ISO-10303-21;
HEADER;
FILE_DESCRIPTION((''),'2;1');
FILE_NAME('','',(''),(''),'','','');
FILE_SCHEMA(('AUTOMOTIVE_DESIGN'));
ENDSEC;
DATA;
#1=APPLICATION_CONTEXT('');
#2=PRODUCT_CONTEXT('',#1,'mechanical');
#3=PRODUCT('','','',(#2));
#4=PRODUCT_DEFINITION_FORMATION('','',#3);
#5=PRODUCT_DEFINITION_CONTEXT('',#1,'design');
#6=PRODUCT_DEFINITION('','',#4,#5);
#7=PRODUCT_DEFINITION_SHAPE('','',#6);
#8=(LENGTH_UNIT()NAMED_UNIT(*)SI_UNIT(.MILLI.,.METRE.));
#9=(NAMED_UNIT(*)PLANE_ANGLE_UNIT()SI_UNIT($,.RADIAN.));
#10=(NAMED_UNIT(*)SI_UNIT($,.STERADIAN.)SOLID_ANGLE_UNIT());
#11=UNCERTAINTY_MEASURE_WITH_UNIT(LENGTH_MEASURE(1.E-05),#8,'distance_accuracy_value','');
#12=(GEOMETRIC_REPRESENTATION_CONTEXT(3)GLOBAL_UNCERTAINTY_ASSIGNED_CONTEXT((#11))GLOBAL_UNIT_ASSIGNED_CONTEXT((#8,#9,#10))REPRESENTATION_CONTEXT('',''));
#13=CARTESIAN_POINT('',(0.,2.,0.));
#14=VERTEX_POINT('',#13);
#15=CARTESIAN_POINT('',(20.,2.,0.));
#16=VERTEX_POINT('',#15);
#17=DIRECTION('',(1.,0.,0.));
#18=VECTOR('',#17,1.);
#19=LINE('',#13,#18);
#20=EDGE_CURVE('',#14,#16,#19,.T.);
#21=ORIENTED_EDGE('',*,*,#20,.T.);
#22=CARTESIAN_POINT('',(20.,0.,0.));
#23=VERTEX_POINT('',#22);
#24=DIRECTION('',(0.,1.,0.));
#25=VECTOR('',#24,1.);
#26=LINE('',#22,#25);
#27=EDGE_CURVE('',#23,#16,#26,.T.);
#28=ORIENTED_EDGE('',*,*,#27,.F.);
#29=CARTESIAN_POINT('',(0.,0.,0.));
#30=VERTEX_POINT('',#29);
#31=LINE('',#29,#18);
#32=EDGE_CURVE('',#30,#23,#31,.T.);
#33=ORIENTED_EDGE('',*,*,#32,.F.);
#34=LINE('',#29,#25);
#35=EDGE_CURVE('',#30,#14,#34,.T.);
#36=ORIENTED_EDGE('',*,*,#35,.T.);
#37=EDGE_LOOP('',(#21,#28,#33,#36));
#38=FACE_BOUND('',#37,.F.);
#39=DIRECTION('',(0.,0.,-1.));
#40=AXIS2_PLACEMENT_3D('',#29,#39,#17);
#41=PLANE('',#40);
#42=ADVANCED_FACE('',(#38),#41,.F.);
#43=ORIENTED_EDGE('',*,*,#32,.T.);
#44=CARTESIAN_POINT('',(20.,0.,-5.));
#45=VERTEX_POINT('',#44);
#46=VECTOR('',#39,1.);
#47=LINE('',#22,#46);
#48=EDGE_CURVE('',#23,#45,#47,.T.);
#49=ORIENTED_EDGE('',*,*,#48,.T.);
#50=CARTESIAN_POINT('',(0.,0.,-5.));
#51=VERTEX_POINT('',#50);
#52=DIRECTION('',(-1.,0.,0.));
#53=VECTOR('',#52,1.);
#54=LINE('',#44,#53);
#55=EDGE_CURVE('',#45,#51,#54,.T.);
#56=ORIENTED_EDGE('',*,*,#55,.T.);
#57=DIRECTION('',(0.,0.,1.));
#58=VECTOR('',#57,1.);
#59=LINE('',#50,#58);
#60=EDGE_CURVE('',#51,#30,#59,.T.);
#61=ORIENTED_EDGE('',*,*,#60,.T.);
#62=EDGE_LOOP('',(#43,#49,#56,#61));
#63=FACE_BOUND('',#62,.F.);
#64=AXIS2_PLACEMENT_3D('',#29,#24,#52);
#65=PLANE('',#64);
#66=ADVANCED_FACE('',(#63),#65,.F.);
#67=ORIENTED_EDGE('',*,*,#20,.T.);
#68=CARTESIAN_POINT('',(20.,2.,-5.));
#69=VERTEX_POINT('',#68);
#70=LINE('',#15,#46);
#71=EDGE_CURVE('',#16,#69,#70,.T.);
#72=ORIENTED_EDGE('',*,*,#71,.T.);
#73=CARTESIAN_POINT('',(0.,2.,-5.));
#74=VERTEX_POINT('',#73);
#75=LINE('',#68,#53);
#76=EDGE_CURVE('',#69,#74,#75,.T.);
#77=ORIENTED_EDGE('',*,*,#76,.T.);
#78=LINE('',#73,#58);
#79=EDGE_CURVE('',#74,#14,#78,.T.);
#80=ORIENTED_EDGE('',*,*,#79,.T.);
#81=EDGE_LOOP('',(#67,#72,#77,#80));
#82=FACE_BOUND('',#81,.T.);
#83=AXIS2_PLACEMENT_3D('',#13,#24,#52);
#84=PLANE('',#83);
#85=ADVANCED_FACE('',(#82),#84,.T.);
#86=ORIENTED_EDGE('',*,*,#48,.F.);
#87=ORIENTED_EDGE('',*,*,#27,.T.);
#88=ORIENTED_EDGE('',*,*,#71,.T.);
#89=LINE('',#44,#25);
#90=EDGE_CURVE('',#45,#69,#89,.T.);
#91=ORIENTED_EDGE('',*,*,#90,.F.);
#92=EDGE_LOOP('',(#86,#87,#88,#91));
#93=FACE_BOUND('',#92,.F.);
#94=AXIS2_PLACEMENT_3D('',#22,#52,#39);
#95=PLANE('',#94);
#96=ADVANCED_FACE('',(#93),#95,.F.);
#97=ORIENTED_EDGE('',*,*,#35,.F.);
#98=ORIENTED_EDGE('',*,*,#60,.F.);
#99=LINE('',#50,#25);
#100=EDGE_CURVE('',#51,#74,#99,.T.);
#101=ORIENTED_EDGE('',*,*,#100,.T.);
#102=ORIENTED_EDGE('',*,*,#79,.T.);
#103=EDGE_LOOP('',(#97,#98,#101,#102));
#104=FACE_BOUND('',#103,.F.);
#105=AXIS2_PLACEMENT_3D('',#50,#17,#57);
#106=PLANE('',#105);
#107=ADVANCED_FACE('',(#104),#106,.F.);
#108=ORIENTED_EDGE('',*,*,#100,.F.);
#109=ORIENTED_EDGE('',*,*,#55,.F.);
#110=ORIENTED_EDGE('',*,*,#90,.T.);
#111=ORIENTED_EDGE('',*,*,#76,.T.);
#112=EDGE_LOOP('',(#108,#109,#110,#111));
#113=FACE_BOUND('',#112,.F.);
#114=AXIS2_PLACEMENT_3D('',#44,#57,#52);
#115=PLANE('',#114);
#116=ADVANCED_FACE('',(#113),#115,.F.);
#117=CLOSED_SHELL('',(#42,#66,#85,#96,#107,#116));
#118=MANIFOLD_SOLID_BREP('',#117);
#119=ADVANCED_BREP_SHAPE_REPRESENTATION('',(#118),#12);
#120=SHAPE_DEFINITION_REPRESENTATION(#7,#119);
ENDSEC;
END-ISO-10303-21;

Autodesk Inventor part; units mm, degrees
ref_plane "YZ Plane" through (0, 0, 0) normal (1, 0, 0) x (0, 1, 0)
ref_plane "XZ Plane" through (0, 0, 0) normal (0, 1, 0) x (-1, 0, 0)
ref_plane "XY Plane" through (0, 0, 0) normal (0, 0, 1) x (1, 0, 0)
sketch "Sketch1" plane through (0, 0, 0) normal (0, 1, 0) x (-1, 0, 0)
  line L0 (0, 0) -> (-20, 0)
  line L1 (-20, 0) -> (-20, -5)
  line L2 (-20, -5) -> (0, -5)
  line L3 (0, -5) -> (0, 0)
  dimension "d0" = 20
  dimension "d1" = 5
extrude "Extrusion1" add sketch "Sketch1" along normal blind 2
properties part number "petg-inside-base"
